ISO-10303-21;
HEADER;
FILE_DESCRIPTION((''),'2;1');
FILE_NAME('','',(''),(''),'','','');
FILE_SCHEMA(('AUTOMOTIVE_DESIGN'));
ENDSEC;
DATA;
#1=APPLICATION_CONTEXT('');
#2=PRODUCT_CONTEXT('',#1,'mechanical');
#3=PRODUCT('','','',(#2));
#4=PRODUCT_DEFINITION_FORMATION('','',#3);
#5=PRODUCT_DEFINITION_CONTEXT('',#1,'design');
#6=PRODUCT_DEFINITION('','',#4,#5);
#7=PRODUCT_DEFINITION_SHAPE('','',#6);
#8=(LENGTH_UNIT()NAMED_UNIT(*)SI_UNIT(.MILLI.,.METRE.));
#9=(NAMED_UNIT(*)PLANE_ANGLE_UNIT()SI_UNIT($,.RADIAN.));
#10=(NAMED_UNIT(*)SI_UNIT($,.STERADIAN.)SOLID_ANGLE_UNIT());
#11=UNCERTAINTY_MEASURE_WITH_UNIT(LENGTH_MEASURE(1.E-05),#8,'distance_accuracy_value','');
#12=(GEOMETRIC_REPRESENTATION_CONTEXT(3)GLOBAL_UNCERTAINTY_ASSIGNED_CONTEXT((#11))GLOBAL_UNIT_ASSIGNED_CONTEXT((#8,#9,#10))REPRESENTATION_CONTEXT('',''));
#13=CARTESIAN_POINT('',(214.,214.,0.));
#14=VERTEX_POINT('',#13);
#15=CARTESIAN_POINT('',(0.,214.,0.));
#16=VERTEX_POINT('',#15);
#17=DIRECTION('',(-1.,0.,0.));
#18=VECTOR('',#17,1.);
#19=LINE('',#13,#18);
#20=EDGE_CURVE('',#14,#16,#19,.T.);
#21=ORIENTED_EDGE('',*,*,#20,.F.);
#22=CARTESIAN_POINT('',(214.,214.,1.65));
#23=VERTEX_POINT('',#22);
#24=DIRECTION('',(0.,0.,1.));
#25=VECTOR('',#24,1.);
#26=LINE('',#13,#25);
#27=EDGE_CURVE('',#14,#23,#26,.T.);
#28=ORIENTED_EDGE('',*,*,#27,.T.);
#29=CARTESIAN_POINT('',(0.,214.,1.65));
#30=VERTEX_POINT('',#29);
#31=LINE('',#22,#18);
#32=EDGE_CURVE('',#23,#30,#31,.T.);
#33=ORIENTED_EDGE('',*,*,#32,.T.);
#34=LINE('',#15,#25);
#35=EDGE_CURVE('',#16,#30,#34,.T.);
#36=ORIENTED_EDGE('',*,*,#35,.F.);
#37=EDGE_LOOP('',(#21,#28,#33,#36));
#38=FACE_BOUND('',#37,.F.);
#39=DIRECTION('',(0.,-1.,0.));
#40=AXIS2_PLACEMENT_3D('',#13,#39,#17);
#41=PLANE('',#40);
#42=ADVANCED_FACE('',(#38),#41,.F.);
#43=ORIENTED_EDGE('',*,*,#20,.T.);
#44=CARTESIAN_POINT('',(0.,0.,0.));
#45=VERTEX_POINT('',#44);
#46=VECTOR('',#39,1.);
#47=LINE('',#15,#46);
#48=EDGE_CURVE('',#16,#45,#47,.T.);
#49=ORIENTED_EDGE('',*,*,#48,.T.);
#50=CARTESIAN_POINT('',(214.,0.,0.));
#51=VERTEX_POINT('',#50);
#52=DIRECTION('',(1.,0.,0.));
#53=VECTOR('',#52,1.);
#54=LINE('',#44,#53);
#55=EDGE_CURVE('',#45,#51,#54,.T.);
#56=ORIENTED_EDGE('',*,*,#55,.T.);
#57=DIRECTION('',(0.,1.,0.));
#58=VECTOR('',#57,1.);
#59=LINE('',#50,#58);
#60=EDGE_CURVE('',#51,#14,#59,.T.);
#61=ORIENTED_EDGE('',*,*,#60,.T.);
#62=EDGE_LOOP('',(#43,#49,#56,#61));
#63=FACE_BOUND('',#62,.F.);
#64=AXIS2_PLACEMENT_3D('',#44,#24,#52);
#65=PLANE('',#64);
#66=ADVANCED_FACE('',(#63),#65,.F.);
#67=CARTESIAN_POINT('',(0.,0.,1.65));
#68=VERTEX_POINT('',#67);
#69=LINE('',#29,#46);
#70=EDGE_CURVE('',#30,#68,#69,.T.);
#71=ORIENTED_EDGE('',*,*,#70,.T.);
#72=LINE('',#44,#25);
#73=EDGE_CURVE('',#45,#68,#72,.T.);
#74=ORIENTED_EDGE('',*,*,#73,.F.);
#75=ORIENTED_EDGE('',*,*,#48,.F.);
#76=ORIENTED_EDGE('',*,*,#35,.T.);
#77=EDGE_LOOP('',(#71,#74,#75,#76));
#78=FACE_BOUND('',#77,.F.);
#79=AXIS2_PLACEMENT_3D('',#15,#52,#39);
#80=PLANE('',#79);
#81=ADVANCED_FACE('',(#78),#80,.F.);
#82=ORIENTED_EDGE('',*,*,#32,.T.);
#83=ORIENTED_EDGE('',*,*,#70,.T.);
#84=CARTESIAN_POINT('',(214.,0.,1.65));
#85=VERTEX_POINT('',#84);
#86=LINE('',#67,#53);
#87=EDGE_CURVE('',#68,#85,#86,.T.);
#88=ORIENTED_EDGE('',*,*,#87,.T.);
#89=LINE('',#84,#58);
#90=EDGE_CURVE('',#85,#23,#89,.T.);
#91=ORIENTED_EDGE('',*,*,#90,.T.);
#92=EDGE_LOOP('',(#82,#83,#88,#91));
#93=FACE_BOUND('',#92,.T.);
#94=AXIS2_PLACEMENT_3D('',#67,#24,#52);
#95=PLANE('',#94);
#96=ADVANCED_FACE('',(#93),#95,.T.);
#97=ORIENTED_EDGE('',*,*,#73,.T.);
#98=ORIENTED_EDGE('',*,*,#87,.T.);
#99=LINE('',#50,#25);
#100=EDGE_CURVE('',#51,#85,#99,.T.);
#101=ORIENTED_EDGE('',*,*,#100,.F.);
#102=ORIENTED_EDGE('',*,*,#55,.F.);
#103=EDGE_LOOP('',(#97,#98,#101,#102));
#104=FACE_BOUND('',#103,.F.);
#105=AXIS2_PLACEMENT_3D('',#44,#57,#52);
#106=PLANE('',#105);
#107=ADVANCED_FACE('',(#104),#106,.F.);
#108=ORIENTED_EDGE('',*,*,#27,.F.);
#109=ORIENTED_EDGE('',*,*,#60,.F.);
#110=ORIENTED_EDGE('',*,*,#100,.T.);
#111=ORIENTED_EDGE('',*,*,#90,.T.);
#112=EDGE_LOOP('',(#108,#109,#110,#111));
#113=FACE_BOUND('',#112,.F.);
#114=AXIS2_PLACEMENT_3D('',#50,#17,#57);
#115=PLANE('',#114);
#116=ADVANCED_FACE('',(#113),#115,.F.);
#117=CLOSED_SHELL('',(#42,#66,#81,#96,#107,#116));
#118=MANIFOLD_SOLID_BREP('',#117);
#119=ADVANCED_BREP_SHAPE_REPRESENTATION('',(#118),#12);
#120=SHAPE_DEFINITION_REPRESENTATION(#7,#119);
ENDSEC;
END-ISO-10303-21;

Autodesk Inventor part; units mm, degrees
ref_plane "YZ Plane" through (0, 0, 0) normal (1, 0, 0) x (0, 1, 0)
ref_plane "XZ Plane" through (0, 0, 0) normal (0, 1, 0) x (-1, 0, 0)
ref_plane "XY Plane" through (0, 0, 0) normal (0, 0, 1) x (1, 0, 0)
sketch "Sketch3" plane through (0, 0, 0) normal (0, 0, 1) x (1, 0, 0)
  line L0 (0, 0) -> (214, 0)
  line L1 (214, 0) -> (214, 214)
  line L2 (214, 214) -> (0, 214)
  line L3 (0, 214) -> (0, 0)
  dimension "d2" = 214
  dimension "d3" = 214
extrude "Extrusion1" add sketch "Sketch3" along normal blind 1.65
sketch "Sketch4" plane through (0, 0, 1.65) normal (0, 0, 1) x (1, 0, 0)
  line L0 (0.5008, 209.7083) -> (213.5162, 209.7083)
  line L1 (213.5162, 209.7083) -> (213.5162, 5.2135)
  line L2 (213.5162, 5.2135) -> (0.5008, 5.2135)
  line L3 (0.5008, 5.2135) -> (0.5008, 209.7083)
